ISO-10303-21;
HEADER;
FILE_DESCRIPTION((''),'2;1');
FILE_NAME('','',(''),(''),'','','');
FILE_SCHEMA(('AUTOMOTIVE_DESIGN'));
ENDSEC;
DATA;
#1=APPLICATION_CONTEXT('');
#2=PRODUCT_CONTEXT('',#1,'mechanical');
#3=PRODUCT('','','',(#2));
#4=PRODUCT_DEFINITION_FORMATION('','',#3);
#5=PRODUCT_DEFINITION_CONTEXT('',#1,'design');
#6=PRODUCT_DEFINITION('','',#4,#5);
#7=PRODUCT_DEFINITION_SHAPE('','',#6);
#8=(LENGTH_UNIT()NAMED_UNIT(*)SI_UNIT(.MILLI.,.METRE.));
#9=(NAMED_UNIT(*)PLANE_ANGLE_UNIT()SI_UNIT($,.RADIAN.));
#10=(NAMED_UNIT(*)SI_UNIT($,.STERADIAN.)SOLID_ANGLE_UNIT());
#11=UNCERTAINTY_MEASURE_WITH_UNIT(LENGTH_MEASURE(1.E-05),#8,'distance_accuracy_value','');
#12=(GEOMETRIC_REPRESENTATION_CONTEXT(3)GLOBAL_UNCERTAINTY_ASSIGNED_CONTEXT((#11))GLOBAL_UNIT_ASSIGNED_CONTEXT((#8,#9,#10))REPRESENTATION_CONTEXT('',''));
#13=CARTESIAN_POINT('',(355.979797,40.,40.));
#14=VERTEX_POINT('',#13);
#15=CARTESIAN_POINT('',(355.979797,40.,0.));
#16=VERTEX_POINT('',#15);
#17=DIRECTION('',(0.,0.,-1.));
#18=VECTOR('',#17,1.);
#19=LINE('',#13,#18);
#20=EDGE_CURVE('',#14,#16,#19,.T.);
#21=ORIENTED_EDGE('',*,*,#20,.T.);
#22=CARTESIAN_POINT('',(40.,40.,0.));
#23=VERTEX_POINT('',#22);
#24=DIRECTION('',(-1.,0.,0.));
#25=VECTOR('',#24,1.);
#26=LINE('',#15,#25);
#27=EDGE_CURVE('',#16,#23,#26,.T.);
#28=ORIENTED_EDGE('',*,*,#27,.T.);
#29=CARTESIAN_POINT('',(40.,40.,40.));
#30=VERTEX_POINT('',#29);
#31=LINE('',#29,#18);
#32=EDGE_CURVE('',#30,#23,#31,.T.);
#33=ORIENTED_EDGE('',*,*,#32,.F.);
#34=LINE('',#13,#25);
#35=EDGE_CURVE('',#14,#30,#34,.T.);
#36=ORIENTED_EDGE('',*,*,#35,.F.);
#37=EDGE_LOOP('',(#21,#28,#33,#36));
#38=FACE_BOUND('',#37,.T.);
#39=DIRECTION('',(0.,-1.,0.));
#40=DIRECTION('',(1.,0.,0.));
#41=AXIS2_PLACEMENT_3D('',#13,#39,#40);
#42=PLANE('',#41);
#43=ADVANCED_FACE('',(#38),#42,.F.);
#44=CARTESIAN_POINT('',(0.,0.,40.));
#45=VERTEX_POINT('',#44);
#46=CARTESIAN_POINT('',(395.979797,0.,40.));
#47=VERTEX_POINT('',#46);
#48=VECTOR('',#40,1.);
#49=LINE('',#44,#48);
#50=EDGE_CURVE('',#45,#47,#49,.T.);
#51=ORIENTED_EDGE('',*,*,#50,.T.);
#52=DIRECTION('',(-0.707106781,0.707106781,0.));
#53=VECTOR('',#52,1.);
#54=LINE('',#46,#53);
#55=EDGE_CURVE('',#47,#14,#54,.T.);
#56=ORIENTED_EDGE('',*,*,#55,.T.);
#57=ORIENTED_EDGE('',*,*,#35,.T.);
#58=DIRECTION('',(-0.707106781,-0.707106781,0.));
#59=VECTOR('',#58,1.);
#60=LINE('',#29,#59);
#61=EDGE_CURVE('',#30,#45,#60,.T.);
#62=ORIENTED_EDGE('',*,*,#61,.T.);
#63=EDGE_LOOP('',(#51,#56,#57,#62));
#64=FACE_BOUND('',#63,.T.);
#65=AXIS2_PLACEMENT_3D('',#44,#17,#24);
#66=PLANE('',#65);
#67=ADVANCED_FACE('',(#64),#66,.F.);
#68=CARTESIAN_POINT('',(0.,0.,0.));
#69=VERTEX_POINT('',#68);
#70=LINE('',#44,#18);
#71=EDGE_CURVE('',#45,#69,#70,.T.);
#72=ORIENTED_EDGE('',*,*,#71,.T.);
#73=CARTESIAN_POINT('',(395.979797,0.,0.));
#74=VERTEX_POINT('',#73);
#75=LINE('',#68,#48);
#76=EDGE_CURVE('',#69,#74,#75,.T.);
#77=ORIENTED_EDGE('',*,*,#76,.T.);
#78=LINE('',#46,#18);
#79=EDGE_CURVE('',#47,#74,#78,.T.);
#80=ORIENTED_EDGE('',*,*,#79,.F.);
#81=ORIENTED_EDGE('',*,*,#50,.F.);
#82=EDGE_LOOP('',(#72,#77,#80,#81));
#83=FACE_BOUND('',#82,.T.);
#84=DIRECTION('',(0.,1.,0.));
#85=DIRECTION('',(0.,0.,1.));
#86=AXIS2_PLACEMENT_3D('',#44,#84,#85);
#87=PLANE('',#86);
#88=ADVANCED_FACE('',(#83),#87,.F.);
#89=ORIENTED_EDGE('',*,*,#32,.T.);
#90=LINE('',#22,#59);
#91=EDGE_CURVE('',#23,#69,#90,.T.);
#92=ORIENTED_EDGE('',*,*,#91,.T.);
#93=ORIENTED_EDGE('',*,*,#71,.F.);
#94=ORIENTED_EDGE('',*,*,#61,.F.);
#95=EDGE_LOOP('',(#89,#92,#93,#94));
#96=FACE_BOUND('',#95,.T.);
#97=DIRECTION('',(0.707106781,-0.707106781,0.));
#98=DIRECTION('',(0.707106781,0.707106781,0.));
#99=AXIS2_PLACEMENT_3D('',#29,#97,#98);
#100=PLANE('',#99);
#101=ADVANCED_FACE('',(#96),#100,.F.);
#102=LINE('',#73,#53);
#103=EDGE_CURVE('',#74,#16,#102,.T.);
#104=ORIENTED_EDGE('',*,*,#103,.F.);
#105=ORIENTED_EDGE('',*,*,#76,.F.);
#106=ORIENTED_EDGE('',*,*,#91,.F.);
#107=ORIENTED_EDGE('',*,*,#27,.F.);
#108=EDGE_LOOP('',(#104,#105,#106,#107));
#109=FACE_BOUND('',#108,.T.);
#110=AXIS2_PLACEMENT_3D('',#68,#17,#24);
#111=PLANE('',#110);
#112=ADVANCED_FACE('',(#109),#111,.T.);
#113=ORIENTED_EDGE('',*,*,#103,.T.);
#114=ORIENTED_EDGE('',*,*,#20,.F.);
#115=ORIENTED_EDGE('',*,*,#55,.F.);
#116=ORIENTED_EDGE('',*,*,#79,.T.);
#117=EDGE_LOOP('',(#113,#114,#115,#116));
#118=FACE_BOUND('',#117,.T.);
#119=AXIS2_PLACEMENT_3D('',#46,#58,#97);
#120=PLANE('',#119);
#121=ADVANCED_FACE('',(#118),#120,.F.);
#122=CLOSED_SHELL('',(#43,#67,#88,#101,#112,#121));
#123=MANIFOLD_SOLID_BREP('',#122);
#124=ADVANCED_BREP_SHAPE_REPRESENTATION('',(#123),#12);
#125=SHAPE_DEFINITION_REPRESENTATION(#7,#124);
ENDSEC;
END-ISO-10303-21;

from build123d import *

# Parameters (mm, degrees)
AUFSATZ_LINEAR_AUSTRAGEN1_DEPTH = 40


with BuildPart() as part:
    # Skizze1 → Aufsatz-Linear austragen1 (new body)
    with BuildSketch(Plane.XY):
        Polygon((0, 0), (395.979797, 0), (355.979797, 40), (40, 40), align=None)
    extrude(amount=AUFSATZ_LINEAR_AUSTRAGEN1_DEPTH)


solid = part.part
